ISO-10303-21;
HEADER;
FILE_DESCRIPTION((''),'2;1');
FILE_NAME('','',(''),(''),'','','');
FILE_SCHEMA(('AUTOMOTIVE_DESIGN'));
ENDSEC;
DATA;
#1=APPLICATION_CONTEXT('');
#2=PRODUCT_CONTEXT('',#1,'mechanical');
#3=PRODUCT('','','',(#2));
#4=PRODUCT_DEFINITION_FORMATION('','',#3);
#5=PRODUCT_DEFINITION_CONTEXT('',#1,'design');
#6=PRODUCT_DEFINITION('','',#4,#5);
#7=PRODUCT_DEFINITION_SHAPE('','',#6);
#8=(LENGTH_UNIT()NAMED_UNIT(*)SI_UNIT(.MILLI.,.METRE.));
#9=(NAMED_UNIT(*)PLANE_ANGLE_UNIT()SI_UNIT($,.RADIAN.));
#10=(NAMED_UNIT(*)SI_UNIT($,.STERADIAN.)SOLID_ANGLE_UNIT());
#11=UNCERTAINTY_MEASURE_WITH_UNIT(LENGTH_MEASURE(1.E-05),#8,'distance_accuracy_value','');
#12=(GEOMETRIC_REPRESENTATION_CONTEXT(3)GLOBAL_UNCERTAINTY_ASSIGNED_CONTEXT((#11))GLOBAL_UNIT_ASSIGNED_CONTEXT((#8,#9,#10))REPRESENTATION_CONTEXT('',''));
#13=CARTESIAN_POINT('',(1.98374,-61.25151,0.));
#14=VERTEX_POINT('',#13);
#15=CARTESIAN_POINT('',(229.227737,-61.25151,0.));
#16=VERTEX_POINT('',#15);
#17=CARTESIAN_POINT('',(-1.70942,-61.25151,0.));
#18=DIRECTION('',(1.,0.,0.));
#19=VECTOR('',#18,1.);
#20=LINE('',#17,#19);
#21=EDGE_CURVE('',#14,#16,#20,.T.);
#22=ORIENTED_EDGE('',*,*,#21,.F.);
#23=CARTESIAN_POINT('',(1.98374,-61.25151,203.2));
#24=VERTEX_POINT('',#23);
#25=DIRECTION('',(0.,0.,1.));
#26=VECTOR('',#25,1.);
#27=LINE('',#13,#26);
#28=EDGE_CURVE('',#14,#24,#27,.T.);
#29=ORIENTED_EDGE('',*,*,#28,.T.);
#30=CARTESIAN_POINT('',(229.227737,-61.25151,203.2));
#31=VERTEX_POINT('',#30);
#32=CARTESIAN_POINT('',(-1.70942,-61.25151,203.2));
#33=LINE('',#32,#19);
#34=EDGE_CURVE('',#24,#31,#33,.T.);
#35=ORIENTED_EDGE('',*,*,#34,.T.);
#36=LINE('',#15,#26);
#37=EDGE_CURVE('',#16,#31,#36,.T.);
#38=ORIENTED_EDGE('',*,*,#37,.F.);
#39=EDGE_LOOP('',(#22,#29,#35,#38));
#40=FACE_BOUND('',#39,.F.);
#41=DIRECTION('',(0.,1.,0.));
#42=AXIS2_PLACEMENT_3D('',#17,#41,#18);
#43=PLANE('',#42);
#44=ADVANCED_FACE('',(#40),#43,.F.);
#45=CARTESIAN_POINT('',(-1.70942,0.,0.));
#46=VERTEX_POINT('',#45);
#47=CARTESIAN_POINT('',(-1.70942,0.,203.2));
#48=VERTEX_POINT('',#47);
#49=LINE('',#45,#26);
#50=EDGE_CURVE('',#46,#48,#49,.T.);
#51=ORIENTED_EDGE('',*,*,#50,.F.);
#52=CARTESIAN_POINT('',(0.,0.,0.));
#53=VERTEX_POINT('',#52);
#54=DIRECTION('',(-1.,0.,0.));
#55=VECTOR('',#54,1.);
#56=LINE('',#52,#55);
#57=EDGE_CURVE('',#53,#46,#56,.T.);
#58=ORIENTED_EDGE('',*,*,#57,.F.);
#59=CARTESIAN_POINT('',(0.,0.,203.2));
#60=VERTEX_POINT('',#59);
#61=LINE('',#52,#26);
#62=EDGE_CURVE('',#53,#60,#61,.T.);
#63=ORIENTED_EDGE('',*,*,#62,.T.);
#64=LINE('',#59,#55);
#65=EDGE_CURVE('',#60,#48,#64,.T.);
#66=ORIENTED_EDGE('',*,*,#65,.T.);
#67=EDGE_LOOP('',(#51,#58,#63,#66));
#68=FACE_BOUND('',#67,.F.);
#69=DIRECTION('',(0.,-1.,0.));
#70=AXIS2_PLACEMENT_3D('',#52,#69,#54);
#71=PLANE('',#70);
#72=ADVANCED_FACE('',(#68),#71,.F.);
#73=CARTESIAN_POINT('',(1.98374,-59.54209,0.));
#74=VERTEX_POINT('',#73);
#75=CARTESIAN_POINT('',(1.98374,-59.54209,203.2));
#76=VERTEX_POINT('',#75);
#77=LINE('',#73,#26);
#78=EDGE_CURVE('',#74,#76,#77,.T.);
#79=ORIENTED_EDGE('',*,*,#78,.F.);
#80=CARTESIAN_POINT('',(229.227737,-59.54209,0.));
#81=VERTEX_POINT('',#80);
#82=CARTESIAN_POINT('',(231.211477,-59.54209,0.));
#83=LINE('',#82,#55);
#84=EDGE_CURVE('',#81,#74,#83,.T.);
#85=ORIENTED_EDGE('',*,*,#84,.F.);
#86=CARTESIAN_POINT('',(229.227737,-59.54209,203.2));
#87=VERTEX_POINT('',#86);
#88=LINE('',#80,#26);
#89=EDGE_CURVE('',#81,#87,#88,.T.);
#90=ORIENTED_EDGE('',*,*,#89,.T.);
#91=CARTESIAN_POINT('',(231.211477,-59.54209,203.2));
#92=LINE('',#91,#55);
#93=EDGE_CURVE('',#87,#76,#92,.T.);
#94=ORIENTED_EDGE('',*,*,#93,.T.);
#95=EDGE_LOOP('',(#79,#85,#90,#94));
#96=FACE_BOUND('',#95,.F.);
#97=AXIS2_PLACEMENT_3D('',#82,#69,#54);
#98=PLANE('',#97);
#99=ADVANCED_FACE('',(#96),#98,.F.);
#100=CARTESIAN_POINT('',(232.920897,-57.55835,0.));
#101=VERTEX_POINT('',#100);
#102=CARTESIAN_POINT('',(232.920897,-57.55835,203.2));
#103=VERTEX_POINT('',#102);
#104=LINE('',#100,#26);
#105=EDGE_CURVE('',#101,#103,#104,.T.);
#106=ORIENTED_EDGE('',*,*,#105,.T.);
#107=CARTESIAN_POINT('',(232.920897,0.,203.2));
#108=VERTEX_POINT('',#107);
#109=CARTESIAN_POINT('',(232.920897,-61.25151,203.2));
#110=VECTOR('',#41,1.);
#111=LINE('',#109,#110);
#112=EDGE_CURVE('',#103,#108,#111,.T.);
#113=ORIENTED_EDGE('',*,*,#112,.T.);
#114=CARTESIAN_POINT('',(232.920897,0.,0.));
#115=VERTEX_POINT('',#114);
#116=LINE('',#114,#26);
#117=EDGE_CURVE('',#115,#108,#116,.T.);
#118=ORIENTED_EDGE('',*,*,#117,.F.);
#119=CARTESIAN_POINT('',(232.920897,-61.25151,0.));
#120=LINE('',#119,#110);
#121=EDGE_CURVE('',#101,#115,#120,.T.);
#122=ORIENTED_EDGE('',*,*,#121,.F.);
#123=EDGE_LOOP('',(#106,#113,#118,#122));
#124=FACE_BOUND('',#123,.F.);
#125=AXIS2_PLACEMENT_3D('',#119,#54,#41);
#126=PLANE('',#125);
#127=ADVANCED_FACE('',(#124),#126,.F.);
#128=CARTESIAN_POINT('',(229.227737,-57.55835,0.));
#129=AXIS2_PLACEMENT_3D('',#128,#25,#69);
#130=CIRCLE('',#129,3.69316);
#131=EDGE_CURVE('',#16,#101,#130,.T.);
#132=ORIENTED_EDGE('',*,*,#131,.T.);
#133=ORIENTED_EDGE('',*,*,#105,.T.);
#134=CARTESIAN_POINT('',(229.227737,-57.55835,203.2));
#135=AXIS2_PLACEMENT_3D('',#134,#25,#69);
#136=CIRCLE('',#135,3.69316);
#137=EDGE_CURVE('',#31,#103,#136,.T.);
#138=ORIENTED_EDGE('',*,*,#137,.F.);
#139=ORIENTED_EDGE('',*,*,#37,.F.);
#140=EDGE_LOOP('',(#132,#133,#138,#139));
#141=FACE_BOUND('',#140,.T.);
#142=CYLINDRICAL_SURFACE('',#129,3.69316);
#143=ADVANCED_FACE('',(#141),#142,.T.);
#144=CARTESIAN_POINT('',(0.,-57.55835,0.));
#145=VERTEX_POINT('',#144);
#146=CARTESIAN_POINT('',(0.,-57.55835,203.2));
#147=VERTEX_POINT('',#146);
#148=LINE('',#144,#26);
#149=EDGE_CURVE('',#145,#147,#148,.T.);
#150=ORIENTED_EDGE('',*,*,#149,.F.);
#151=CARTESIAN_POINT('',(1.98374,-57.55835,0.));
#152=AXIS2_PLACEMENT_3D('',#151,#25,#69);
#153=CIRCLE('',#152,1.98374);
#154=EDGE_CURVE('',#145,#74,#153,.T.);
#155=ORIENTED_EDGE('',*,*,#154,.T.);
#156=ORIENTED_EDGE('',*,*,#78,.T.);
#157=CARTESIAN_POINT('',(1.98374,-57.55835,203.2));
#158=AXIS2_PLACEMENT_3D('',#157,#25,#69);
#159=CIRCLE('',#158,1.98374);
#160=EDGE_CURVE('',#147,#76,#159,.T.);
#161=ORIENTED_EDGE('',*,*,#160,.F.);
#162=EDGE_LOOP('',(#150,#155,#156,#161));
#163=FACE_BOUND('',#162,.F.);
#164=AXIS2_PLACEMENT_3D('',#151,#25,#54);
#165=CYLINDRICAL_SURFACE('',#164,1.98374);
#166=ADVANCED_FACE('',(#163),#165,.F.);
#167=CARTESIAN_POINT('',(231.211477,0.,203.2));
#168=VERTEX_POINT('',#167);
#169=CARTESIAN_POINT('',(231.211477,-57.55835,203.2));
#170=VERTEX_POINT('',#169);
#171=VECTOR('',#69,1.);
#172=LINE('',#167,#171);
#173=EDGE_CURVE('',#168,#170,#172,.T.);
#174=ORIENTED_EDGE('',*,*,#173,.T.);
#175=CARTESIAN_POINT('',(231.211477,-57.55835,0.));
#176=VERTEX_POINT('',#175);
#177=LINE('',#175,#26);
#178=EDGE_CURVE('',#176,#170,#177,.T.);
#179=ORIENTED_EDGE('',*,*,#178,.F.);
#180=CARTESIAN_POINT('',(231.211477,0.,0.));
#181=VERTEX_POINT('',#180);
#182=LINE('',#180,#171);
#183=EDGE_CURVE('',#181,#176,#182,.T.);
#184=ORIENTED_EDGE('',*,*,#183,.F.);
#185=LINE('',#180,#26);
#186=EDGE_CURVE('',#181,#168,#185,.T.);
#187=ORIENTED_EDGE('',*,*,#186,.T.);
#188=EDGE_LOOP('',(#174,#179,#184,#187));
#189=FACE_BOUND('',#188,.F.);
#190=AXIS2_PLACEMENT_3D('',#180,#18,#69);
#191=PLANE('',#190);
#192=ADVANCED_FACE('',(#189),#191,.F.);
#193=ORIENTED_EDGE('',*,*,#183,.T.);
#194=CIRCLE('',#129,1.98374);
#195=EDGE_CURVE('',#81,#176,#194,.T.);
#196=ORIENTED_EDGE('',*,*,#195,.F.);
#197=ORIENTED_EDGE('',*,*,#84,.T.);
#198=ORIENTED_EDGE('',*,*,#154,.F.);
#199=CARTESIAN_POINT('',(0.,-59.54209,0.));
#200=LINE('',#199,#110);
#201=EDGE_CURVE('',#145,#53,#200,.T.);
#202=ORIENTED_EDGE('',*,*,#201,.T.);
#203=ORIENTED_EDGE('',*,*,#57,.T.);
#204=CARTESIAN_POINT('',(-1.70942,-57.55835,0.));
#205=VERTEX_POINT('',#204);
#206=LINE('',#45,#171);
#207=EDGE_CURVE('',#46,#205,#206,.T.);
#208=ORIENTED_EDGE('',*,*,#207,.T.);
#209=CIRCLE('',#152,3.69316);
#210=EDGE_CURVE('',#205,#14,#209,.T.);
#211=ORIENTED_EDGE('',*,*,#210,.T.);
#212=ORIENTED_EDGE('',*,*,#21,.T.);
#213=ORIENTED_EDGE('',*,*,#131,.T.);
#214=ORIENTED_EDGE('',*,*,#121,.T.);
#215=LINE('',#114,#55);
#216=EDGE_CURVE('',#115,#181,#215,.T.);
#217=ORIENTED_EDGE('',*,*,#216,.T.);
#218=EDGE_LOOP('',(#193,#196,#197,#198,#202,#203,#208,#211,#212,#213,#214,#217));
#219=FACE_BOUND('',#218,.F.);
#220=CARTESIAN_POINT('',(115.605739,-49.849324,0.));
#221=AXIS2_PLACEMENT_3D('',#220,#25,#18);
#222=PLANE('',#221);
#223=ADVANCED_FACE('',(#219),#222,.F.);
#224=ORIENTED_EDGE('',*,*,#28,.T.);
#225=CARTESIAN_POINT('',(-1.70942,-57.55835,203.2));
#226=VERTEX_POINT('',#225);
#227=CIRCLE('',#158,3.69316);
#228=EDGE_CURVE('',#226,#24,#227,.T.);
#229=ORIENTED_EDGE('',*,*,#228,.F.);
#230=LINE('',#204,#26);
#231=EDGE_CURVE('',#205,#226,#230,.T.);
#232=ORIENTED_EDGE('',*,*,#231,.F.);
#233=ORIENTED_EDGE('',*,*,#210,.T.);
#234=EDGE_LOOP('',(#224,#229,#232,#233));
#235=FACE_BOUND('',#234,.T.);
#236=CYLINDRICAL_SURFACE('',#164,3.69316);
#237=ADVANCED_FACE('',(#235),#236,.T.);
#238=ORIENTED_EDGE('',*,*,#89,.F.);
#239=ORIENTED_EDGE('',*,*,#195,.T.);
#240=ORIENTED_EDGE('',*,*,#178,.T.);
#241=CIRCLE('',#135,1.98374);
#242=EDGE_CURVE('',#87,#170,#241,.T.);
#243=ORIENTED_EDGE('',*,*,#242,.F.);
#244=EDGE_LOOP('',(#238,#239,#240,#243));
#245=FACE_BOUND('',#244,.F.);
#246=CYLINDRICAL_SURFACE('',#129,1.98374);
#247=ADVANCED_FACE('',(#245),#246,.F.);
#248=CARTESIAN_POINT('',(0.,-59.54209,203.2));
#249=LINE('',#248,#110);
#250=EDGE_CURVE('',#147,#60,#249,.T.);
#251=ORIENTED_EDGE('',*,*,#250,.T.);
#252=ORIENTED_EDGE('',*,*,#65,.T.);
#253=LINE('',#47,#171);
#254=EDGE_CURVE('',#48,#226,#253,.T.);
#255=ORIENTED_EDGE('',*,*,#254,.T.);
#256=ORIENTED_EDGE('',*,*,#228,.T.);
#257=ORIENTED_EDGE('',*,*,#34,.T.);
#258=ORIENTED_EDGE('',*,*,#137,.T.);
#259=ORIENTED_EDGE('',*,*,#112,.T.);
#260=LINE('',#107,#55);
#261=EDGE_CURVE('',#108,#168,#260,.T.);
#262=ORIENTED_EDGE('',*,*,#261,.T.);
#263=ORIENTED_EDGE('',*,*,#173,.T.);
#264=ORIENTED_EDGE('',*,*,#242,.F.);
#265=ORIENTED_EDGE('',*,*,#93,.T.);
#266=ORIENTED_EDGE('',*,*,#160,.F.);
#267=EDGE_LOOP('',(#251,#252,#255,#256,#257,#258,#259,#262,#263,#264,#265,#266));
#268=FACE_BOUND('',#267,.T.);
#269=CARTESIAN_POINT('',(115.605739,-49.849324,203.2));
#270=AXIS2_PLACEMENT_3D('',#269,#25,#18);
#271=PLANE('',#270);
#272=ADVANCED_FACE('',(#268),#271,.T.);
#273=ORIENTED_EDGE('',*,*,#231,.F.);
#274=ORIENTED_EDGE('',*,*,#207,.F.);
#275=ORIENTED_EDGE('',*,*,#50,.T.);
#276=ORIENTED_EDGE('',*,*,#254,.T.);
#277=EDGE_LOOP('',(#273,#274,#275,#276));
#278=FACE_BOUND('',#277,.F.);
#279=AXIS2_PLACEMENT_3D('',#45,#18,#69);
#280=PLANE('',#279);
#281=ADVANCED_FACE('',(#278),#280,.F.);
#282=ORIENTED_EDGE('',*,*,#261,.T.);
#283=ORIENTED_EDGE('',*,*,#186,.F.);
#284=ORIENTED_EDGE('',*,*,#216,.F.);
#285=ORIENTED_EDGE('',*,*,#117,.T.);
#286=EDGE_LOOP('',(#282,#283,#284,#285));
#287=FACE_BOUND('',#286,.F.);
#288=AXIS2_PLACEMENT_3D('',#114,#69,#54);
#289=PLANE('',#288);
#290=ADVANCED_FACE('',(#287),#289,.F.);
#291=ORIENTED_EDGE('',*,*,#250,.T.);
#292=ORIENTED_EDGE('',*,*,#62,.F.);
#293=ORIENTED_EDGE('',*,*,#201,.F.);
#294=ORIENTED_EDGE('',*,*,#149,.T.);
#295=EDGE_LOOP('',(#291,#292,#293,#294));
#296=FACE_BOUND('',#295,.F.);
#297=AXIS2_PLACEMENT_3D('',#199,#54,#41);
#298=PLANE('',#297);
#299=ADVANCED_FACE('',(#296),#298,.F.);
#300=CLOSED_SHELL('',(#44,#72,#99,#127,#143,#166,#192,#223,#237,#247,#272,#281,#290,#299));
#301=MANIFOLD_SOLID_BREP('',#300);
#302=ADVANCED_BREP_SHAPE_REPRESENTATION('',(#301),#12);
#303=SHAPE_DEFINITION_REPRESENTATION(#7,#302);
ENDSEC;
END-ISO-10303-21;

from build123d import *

# Parameters (mm, degrees)
F1_DEPTH = 203.2
F2_R     = 3.69316
F3_R     = 1.98374


with BuildPart() as f1:
    # F0 (on Top) → F1 (new body)
    with BuildSketch(Plane.XY):
        Polygon((0, -59.54209), (0, 0), (-1.70942, 0), (-1.70942, -61.25151), (232.920897, -61.25151), (232.920897, 0), (231.211477, 0), (231.211477, -59.54209), align=None)
    extrude(amount=F1_DEPTH)

    # F2
    f2_edges = [f1.edges().sort_by_distance(p)[0] for p in [
        (232.920897, -61.25151, 101.6),
        (-1.70942, -61.25151, 101.6),
    ]]
    fillet(f2_edges, radius=F2_R)

    # F3
    f3_edges = [f1.edges().sort_by_distance(p)[0] for p in [
        (0, -59.54209, 101.6),
        (231.211477, -59.54209, 101.6),
    ]]
    fillet(f3_edges, radius=F3_R)


solid = f1.part
